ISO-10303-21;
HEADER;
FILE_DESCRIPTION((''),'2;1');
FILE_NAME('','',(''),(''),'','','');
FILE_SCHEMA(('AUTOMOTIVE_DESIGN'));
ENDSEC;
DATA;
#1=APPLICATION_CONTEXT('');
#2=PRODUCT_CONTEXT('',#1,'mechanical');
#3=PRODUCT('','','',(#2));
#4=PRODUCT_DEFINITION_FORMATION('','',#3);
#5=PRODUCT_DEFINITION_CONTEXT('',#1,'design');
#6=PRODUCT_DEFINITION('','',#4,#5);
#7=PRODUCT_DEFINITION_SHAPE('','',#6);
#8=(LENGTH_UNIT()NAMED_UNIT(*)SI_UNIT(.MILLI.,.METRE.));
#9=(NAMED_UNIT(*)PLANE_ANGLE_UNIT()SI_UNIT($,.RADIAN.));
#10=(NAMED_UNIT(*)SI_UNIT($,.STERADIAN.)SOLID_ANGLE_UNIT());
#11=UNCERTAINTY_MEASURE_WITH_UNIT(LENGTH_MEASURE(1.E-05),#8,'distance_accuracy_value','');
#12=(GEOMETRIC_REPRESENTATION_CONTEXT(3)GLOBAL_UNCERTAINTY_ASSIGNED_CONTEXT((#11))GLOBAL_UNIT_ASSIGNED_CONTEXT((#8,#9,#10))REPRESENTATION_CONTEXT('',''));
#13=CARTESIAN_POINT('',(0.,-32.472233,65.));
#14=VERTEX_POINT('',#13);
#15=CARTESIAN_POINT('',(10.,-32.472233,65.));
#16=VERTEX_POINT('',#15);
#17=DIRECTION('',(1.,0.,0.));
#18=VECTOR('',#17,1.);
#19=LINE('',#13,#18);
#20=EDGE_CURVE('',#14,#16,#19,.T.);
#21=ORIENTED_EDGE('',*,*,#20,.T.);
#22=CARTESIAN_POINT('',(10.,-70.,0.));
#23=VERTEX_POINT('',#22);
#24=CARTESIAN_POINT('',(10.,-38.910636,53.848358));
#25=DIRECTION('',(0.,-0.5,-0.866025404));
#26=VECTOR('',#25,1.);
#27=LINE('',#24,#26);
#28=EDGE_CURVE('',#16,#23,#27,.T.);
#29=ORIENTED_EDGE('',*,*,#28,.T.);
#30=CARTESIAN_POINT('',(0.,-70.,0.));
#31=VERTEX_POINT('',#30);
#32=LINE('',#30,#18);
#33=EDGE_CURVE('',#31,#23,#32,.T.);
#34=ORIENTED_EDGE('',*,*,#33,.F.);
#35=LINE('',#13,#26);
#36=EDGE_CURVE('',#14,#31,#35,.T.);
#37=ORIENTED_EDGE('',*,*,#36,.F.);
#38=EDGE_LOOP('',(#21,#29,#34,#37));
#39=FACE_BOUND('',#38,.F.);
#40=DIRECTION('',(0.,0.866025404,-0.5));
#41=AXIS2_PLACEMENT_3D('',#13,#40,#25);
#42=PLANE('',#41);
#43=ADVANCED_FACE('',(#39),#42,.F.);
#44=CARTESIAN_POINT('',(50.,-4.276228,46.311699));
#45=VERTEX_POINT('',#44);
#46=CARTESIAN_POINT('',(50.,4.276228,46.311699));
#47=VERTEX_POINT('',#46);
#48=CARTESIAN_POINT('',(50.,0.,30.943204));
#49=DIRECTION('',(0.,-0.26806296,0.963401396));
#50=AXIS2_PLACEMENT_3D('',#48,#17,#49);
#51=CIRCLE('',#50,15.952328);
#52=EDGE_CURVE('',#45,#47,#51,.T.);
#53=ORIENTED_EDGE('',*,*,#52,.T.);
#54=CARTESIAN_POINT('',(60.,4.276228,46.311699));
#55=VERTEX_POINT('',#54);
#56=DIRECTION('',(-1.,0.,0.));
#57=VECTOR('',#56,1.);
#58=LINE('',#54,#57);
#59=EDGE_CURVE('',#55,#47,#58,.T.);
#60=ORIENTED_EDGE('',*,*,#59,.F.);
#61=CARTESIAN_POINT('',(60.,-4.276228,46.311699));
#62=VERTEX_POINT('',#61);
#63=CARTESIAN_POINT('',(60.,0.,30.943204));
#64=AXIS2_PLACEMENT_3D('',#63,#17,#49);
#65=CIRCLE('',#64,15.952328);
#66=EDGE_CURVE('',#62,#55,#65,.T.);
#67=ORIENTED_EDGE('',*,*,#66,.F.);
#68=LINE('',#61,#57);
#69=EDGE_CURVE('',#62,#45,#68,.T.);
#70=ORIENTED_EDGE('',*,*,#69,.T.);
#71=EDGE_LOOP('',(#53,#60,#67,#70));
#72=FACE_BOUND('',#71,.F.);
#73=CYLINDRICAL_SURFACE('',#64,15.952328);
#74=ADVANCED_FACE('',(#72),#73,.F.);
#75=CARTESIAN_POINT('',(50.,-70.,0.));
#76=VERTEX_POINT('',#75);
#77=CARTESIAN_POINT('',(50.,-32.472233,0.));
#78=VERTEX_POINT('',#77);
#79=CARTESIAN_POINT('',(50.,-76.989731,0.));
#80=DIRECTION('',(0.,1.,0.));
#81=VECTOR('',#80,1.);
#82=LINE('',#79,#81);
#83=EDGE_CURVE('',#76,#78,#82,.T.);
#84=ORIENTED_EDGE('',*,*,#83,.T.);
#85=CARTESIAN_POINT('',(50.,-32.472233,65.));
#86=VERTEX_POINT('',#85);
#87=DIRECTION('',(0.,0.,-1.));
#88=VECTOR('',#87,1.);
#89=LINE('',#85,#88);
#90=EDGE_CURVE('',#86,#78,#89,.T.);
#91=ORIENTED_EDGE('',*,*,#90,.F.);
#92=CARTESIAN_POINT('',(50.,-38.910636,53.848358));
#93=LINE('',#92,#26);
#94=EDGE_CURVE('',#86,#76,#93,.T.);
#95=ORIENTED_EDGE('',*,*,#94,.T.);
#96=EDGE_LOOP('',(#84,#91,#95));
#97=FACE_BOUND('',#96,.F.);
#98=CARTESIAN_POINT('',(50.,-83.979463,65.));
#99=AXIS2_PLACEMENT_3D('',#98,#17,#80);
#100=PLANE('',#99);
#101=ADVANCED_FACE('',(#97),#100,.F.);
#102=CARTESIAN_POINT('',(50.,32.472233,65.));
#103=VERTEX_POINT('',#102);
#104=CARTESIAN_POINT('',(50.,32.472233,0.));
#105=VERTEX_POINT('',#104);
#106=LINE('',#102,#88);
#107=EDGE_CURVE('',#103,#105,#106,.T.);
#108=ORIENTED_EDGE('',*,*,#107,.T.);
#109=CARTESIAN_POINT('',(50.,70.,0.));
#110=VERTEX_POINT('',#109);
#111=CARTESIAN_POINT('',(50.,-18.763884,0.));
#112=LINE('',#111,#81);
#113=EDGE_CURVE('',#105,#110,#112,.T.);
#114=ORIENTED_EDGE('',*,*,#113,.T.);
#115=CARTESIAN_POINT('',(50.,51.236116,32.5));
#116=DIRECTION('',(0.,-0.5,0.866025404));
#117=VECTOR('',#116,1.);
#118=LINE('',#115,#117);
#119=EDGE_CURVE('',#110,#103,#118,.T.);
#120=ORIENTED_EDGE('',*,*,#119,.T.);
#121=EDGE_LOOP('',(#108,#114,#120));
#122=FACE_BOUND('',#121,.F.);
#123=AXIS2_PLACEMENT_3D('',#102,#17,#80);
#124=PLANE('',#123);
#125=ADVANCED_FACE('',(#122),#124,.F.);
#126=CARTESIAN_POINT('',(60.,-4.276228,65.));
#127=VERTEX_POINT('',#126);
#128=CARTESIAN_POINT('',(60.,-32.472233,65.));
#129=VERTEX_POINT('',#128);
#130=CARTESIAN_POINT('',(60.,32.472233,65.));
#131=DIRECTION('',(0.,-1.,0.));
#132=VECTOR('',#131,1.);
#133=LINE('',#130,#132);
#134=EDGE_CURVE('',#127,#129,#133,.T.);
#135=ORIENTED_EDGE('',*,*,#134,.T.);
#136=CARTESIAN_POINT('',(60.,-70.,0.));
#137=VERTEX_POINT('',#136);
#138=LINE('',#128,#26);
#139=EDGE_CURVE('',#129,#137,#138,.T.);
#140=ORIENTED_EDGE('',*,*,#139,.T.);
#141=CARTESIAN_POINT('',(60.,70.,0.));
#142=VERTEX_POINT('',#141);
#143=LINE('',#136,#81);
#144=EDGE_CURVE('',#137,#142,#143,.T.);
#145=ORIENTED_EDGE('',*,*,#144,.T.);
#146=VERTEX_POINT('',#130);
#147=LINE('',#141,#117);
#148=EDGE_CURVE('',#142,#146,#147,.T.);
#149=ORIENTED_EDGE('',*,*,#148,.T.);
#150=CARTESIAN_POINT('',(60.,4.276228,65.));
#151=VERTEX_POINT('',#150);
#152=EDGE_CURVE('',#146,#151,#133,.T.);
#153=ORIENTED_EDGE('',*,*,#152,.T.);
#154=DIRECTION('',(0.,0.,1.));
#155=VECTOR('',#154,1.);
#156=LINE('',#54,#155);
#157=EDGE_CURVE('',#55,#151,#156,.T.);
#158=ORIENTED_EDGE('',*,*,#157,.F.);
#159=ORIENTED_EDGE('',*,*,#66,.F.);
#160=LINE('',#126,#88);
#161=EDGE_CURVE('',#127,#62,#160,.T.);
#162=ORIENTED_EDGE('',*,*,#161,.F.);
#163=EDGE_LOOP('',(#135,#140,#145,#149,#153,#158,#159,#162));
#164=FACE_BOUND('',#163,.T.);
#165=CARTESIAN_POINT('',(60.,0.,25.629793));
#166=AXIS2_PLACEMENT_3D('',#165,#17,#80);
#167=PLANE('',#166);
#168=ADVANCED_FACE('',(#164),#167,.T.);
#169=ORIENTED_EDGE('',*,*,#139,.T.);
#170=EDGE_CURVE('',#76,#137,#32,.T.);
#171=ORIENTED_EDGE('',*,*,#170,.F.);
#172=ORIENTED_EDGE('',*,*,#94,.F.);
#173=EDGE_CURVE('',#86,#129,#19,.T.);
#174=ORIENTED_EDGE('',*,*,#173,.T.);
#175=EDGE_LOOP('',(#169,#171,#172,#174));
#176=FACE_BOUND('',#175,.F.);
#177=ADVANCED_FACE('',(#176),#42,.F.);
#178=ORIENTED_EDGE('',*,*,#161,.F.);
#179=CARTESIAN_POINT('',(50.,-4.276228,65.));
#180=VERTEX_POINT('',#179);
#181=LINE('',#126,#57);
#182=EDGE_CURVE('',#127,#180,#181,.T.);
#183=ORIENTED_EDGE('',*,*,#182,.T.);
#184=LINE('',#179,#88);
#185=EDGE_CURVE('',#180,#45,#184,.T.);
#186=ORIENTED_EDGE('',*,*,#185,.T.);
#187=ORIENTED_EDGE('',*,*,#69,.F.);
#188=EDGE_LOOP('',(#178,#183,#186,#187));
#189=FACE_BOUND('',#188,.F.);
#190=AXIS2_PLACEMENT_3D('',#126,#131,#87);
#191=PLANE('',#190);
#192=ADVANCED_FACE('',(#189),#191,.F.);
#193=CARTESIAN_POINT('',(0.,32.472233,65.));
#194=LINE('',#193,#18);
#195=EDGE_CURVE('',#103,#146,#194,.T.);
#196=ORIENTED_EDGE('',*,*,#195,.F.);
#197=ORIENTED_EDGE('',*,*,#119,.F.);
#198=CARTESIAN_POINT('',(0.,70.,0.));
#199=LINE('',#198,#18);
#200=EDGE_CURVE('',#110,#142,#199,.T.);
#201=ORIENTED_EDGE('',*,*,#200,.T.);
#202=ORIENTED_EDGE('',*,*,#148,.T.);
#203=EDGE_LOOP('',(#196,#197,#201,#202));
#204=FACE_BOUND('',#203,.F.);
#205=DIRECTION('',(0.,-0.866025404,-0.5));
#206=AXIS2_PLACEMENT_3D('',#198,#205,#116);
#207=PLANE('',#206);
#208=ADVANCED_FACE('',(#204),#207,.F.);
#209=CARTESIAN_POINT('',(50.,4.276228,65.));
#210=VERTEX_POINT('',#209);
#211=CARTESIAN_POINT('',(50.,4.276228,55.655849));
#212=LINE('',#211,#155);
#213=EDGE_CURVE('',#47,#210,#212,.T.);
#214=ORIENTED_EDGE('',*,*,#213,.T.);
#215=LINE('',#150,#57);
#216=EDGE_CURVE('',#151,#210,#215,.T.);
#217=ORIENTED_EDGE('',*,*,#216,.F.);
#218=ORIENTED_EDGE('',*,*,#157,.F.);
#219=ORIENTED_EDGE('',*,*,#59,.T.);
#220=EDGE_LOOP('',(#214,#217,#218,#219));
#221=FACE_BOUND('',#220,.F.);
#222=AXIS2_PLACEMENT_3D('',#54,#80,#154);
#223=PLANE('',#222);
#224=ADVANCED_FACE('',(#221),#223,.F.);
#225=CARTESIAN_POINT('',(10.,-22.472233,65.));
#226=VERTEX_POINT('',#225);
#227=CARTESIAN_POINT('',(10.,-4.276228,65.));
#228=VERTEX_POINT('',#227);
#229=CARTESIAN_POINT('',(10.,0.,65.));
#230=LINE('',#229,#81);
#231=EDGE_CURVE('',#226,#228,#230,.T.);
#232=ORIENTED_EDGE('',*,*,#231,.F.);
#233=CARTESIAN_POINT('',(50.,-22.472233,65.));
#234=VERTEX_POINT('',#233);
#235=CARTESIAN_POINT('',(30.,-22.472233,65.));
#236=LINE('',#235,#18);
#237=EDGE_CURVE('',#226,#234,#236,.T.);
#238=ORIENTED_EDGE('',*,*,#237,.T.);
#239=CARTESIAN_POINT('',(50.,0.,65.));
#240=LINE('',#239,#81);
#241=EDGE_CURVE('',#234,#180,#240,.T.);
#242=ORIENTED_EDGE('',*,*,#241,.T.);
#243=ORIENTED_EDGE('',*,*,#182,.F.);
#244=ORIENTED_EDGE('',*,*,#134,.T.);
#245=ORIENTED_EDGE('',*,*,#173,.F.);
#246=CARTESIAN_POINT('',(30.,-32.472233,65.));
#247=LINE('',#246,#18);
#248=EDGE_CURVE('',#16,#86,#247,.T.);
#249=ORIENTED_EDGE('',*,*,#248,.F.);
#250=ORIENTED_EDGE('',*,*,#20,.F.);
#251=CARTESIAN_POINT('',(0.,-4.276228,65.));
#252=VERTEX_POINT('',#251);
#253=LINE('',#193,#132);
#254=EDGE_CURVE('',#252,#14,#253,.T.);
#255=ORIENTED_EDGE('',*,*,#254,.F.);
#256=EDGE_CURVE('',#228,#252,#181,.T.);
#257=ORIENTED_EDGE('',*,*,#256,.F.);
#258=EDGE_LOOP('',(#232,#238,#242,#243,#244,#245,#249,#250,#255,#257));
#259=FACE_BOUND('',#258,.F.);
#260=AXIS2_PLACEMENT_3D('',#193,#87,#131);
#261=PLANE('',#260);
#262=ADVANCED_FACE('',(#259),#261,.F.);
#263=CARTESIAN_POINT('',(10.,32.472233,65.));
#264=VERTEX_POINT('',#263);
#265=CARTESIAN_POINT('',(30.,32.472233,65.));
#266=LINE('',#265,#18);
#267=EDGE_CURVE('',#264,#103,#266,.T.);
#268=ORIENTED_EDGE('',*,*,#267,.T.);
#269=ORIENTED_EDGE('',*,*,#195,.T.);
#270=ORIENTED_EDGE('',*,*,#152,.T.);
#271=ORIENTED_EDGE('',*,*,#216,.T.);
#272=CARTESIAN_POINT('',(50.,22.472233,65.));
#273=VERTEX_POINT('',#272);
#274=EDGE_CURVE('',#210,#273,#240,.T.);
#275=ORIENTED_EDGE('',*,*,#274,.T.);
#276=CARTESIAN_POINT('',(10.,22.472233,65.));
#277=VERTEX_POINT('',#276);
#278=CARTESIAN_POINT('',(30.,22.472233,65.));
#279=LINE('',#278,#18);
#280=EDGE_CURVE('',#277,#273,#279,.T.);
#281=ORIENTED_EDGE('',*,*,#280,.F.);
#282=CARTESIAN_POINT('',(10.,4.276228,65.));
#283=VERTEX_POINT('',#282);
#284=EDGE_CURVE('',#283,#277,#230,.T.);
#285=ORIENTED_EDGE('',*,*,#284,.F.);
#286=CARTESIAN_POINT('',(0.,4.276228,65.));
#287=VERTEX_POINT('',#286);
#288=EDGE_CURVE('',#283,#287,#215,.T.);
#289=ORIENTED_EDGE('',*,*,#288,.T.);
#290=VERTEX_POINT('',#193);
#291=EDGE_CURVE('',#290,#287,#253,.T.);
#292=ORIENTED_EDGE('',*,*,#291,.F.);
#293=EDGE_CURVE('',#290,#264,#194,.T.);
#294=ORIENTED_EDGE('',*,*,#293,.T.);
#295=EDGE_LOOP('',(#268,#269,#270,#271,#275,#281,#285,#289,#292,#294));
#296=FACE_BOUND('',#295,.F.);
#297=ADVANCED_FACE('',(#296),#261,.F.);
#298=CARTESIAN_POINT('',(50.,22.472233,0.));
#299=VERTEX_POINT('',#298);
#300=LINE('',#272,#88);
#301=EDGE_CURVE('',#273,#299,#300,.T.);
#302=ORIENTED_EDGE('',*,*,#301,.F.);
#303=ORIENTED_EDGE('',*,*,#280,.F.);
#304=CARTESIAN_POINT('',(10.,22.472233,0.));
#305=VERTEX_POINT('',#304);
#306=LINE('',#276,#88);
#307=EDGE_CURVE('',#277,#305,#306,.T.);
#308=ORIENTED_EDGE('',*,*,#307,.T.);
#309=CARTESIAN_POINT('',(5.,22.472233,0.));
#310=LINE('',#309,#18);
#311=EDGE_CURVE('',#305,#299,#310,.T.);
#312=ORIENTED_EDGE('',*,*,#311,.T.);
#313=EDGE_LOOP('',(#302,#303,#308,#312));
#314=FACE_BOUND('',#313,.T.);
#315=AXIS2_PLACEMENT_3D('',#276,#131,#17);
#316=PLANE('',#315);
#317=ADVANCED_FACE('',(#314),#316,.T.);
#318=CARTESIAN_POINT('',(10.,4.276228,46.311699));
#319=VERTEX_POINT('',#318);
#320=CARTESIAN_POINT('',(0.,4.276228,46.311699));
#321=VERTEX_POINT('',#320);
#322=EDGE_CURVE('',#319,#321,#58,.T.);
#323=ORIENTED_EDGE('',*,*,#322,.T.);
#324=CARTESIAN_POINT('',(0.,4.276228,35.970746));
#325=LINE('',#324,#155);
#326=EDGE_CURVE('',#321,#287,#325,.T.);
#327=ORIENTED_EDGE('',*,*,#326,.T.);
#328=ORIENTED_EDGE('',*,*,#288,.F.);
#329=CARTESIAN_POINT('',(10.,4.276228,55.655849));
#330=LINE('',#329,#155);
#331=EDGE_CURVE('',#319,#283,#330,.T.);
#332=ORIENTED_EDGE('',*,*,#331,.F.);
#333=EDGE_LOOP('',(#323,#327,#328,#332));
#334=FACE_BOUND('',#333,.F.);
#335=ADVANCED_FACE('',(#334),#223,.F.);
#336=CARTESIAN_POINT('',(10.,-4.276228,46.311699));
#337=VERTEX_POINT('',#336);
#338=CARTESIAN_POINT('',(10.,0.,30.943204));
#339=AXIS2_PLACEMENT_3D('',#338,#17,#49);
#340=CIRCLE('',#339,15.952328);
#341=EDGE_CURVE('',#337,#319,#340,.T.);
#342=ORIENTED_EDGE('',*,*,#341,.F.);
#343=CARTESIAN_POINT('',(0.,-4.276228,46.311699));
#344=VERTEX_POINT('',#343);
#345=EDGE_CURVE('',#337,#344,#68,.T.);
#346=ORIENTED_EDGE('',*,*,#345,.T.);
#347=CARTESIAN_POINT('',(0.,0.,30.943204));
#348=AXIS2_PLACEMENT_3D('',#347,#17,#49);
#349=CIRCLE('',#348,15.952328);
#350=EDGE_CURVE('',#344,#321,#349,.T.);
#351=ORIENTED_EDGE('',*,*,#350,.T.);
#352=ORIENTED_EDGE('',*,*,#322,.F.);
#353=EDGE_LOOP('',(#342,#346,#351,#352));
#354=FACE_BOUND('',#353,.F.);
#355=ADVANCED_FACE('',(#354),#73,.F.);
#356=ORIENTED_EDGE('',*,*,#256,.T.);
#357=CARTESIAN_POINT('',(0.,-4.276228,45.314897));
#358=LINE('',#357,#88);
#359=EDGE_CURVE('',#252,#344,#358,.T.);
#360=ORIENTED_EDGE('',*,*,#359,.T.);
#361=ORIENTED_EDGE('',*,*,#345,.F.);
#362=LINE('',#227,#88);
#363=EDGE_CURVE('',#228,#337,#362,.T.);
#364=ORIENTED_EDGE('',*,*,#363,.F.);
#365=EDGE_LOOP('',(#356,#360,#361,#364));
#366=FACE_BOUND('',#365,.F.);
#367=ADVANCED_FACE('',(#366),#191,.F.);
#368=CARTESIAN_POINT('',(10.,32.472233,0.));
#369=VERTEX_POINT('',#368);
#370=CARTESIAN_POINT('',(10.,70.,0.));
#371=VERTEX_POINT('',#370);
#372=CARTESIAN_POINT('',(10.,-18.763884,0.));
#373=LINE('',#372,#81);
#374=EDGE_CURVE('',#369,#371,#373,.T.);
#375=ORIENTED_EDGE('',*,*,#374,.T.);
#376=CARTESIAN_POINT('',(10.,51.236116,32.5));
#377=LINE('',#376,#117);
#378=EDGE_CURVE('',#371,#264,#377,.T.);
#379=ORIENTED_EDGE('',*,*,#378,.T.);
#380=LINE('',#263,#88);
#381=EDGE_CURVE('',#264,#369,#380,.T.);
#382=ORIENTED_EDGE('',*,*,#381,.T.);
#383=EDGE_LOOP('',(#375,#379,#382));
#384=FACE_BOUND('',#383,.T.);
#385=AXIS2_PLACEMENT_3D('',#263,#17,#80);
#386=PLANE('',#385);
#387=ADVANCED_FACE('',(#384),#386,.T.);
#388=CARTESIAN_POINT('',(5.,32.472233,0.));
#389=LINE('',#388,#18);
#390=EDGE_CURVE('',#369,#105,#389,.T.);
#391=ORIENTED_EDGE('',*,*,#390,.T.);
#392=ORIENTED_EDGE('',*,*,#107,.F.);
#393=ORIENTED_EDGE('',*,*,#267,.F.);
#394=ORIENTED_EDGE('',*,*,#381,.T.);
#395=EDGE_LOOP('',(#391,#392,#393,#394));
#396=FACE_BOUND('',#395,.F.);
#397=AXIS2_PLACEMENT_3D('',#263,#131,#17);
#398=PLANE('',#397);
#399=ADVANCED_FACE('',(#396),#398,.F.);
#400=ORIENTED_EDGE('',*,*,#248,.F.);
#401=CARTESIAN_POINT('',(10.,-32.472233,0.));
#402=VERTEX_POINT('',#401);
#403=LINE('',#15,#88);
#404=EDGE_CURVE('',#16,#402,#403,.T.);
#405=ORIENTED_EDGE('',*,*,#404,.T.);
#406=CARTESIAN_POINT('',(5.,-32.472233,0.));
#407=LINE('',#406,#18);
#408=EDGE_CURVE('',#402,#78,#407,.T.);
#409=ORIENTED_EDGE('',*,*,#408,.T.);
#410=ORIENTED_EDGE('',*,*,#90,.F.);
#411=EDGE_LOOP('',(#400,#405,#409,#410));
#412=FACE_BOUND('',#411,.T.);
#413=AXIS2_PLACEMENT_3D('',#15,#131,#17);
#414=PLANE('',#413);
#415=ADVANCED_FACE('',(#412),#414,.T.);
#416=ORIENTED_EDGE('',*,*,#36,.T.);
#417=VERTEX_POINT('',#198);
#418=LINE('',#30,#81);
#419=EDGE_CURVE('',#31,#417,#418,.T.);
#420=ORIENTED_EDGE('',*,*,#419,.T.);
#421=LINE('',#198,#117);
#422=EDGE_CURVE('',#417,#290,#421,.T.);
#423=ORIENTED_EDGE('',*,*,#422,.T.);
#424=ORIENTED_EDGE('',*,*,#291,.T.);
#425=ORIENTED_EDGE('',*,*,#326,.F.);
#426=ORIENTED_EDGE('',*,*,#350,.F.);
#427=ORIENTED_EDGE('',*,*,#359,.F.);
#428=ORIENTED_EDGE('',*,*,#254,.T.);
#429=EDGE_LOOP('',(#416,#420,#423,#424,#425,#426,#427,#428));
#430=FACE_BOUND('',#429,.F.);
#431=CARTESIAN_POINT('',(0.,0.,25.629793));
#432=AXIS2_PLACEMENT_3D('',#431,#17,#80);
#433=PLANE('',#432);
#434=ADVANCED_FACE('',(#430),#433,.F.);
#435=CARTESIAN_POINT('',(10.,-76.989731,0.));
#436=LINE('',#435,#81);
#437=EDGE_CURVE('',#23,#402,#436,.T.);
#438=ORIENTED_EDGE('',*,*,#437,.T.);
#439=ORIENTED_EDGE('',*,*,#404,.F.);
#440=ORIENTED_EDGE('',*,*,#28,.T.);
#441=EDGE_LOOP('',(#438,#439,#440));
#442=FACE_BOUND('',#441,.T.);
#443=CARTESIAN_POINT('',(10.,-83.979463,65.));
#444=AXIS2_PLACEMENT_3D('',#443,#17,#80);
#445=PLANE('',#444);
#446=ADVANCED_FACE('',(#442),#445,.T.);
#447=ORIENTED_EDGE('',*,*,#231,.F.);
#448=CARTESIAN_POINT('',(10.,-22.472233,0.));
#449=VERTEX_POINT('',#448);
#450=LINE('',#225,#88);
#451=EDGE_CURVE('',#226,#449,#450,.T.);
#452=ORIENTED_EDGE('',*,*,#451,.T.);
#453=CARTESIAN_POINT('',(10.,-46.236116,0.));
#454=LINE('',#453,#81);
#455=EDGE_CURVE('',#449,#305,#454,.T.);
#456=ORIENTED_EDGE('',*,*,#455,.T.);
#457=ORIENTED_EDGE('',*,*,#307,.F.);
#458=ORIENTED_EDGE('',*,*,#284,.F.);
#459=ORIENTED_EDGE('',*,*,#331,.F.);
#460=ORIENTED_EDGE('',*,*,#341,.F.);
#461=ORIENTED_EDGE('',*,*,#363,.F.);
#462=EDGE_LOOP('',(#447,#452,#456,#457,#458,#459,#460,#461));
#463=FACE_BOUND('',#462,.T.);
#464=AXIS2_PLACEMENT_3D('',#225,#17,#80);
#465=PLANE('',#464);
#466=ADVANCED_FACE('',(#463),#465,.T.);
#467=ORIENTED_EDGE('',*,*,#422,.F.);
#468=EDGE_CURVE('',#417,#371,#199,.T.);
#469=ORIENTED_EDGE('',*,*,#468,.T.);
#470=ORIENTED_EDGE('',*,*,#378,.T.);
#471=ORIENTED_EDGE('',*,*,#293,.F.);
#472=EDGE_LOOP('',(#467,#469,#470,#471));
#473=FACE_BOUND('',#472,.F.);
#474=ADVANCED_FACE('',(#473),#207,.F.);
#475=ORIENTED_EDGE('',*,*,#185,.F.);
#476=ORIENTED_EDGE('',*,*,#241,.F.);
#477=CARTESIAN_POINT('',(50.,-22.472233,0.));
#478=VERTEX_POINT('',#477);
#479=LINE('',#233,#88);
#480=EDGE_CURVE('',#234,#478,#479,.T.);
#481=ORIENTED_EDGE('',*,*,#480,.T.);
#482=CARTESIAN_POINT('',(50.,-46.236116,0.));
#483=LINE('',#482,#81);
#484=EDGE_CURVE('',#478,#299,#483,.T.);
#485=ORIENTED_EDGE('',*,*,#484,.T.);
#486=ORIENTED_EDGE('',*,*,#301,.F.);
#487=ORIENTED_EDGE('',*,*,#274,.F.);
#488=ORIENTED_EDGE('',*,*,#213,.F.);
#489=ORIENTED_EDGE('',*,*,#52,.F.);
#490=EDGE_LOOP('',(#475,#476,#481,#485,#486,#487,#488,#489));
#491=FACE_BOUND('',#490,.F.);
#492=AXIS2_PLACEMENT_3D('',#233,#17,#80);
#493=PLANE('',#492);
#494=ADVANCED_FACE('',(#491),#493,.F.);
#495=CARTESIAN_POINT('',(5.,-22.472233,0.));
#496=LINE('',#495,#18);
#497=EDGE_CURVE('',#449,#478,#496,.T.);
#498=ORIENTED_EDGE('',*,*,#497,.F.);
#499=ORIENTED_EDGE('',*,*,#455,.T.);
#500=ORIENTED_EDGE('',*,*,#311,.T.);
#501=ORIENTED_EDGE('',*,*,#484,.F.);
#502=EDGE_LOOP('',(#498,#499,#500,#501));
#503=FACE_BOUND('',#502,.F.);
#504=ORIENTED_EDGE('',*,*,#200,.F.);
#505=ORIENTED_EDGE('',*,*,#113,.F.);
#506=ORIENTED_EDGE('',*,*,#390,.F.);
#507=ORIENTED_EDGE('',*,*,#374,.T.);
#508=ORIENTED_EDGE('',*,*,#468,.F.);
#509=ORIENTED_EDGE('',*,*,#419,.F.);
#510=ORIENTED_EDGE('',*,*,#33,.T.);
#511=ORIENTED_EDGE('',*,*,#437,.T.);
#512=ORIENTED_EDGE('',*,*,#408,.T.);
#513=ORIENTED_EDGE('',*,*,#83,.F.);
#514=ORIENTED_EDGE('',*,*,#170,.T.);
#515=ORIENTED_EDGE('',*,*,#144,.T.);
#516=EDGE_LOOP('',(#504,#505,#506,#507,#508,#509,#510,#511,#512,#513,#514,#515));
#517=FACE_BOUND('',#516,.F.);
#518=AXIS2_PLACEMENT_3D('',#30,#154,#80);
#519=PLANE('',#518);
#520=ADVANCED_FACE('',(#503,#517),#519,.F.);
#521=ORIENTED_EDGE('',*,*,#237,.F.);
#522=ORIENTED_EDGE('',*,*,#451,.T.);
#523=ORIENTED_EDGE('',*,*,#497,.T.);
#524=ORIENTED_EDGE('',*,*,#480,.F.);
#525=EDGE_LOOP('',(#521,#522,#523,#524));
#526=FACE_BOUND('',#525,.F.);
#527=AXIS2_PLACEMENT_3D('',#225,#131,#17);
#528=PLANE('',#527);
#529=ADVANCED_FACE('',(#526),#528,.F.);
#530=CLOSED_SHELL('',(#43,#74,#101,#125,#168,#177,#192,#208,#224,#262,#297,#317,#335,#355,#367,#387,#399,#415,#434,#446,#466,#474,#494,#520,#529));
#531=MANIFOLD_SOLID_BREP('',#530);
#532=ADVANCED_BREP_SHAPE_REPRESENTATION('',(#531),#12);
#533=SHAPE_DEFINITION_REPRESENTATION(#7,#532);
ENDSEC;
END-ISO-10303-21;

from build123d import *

# Parameters (mm, degrees)
F1_DEPTH = 60
F2_W     = 40
F2_H     = 51.5072302302
F3_DEPTH = 126
F4_W     = 40
F4_H     = 44.9444650053
F5_DEPTH = 92
F7_DEPTH = 76


with BuildPart() as f1:
    # F0 (on Right) → F1 (new body)
    with BuildSketch(Plane.YZ):
        Polygon((-70, 0), (0, 0), (70, 0), (32.4722325027, 65), (0, 65), (-32.4722325027, 65), align=None)
    extrude(amount=F1_DEPTH)

    # F2 (on face) → F3 (cut)
    with BuildSketch(Plane.XY.offset(65)):
        with Locations((30, -58.2258476178)):
            Rectangle(F2_W, F2_H)
        with Locations((30, 58.2258476178)):
            Rectangle(F2_W, F2_H)
    extrude(amount=-F3_DEPTH, mode=Mode.SUBTRACT)

    # F4 (on face) → F5 (cut)
    with BuildSketch(Plane.XY.offset(65)):
        with Locations((30, 0)):
            Rectangle(F4_W, F4_H)
    extrude(amount=-F5_DEPTH, mode=Mode.SUBTRACT)

    # F6 (on face) → F7 (cut)
    with BuildSketch(Plane.YZ.offset(60)):
        with BuildLine():
            Line((-4.2762281873, 65), (-4.2762281873, 46.3116985224))
            ThreePointArc((-4.2762281873, 46.3116985224), (0, 14.9908759852), (4.2762281873, 46.3116985224))
            Line((4.2762281873, 46.3116985224), (4.2762281873, 65))
            Line((4.2762281873, 65), (-4.2762281873, 65))
        make_face()
    extrude(amount=-F7_DEPTH, mode=Mode.SUBTRACT)


solid = f1.part
